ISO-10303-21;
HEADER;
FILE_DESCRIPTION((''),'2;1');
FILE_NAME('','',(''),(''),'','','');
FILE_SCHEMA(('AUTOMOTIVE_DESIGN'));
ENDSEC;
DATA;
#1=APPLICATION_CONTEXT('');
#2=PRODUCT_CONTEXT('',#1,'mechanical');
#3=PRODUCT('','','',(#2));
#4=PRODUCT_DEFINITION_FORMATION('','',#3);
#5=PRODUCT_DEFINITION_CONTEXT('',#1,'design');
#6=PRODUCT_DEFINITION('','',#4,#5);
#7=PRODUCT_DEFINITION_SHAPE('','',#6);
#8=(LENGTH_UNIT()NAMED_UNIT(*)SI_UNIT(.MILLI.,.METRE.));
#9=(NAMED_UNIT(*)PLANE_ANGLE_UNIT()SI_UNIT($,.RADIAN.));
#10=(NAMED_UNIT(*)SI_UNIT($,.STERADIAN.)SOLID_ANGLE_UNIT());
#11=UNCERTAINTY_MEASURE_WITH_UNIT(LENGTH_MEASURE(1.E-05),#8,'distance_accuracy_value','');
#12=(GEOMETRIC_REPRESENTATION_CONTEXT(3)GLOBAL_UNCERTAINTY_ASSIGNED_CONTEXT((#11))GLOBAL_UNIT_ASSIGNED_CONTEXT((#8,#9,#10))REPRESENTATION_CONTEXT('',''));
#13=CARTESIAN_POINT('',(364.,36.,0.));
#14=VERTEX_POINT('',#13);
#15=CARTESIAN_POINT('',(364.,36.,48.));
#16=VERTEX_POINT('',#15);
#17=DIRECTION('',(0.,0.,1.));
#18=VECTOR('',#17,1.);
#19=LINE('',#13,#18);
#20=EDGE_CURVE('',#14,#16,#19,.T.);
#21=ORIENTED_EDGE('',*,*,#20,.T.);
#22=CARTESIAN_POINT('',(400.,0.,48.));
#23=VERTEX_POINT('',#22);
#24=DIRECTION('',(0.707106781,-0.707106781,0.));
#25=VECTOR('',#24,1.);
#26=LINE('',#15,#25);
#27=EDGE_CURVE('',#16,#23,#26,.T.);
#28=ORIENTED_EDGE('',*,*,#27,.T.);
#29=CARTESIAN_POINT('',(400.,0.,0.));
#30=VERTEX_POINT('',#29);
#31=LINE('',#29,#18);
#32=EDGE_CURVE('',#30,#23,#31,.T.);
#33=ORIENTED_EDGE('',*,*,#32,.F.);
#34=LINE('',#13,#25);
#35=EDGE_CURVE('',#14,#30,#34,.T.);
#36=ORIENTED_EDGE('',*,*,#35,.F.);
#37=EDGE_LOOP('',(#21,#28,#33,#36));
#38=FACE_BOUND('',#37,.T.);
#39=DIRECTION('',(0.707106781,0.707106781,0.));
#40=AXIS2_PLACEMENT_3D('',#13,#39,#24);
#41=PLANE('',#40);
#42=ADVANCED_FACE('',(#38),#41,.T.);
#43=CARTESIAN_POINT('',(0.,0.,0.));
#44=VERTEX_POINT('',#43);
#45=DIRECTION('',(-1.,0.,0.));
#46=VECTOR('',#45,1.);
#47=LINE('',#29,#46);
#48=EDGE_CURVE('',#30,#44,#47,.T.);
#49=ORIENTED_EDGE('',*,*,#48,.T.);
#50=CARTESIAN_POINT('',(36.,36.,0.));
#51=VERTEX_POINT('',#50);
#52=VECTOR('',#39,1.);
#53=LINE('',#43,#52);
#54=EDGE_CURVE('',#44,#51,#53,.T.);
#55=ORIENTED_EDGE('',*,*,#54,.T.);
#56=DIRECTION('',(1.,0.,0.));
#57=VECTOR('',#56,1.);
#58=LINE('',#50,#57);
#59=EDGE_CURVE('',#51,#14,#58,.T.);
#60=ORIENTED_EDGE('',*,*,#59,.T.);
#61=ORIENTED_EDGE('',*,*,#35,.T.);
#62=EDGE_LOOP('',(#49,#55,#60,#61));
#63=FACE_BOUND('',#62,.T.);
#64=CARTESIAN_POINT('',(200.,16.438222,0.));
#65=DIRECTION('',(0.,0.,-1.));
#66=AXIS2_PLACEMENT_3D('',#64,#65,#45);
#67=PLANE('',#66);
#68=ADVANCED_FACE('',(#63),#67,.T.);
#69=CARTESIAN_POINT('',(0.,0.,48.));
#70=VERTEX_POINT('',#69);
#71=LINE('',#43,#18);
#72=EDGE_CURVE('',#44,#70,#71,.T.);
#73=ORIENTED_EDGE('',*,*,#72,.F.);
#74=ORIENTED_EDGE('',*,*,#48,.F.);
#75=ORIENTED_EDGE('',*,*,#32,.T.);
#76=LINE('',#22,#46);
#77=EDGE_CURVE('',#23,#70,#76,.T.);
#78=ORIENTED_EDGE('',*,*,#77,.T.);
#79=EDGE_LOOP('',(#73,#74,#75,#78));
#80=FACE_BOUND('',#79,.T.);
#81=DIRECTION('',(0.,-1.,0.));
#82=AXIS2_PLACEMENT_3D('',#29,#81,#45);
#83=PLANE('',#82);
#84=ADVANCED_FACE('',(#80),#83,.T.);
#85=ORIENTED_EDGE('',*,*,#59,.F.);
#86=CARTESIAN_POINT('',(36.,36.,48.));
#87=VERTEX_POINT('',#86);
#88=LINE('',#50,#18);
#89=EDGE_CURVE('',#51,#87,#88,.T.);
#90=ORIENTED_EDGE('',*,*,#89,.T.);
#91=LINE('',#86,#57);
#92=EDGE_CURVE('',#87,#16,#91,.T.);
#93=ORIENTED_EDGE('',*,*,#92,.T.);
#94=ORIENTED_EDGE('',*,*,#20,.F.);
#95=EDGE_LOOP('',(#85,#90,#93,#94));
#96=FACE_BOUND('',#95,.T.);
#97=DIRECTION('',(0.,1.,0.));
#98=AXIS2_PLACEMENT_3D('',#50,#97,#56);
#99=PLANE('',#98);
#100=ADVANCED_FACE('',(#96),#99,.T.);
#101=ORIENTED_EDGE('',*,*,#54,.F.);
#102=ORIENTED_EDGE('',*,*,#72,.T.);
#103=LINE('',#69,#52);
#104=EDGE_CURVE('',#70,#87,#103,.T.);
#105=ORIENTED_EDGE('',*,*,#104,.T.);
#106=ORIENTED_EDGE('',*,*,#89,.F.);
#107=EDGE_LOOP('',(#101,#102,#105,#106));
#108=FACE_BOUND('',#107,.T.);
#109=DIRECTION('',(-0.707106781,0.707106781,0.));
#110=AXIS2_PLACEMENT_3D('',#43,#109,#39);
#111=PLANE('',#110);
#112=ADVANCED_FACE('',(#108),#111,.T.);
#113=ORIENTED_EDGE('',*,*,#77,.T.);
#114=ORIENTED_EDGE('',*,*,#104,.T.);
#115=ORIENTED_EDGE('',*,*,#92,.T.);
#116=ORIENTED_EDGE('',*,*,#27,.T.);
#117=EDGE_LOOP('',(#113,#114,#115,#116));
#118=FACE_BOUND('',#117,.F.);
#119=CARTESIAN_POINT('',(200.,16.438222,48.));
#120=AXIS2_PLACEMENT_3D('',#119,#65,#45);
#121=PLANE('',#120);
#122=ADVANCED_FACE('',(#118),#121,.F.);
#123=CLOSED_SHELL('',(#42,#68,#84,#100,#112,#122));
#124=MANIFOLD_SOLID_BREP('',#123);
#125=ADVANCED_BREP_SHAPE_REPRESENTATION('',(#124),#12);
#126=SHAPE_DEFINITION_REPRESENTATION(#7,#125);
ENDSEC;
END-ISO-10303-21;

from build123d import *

# Parameters (mm, degrees)
EXTRUDE_DEPTH = 48


with BuildPart() as part:
    # Sketch → Extrude (new body)
    with BuildSketch(Plane.XY):
        Polygon((0, 0), (36, 36), (364, 36), (400, 0), align=None)
    extrude(amount=EXTRUDE_DEPTH)


solid = part.part
